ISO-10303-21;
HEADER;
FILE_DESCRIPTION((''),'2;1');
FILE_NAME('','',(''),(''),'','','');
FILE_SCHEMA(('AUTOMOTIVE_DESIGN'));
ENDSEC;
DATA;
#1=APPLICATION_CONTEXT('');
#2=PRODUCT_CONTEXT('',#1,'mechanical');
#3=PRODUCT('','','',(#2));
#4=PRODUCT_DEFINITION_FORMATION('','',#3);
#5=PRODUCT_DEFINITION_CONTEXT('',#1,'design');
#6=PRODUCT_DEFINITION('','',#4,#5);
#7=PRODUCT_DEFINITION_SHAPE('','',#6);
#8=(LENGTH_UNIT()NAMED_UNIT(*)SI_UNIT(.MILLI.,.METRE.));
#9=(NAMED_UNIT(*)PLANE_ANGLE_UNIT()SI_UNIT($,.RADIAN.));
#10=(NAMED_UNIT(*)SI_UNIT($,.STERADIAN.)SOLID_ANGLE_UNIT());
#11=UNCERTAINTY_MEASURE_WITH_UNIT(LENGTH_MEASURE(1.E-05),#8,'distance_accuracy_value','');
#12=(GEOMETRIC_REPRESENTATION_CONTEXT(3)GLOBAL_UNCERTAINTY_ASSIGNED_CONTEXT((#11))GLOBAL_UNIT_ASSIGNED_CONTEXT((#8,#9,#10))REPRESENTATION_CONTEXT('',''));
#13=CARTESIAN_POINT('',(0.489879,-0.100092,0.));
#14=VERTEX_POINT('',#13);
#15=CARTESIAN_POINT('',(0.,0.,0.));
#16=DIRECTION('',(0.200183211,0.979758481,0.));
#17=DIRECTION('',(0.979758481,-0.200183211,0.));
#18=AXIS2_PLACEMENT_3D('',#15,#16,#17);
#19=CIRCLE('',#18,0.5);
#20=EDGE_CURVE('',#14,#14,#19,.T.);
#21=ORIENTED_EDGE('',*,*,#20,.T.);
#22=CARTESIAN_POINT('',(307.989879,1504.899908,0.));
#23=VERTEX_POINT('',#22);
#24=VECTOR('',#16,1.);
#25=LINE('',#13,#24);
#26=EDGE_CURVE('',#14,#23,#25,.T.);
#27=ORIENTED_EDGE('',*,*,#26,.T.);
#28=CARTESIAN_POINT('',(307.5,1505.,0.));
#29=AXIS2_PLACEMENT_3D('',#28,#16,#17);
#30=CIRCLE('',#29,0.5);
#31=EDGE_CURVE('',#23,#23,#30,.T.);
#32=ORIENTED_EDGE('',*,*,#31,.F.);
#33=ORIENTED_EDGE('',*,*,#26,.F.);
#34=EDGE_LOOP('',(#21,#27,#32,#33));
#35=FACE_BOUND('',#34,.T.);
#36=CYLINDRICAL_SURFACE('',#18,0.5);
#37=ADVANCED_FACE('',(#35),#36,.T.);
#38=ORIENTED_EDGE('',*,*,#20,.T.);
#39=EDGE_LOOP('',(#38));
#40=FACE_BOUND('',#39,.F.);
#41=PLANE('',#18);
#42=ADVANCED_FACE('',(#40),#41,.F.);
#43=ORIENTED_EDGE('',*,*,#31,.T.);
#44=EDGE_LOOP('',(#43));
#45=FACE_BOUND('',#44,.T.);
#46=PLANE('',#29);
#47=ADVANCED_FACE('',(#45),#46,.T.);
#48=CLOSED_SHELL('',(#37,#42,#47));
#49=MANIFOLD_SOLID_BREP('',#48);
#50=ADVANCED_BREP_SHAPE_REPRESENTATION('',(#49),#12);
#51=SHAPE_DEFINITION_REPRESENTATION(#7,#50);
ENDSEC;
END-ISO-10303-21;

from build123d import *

# Parameters (mm, degrees)
SWEEP_1_PROFILE_R = 0.5


with BuildPart() as part:
    # 扫描1: sweep along a path in 草图2
    with BuildLine(Plane.XY) as sweep_1_path:
        Line((0, 0), (307.5, 1505))
    # 扫描1 profile (on start of the path) → 扫描1 (sweep)
    with BuildSketch(Plane(origin=(0, 0, 0), x_dir=(0.979758481, -0.200183211, 0), z_dir=(0.200183211, 0.979758481, 0))):
        Circle(SWEEP_1_PROFILE_R)
    sweep(path=sweep_1_path.line)


solid = part.part
